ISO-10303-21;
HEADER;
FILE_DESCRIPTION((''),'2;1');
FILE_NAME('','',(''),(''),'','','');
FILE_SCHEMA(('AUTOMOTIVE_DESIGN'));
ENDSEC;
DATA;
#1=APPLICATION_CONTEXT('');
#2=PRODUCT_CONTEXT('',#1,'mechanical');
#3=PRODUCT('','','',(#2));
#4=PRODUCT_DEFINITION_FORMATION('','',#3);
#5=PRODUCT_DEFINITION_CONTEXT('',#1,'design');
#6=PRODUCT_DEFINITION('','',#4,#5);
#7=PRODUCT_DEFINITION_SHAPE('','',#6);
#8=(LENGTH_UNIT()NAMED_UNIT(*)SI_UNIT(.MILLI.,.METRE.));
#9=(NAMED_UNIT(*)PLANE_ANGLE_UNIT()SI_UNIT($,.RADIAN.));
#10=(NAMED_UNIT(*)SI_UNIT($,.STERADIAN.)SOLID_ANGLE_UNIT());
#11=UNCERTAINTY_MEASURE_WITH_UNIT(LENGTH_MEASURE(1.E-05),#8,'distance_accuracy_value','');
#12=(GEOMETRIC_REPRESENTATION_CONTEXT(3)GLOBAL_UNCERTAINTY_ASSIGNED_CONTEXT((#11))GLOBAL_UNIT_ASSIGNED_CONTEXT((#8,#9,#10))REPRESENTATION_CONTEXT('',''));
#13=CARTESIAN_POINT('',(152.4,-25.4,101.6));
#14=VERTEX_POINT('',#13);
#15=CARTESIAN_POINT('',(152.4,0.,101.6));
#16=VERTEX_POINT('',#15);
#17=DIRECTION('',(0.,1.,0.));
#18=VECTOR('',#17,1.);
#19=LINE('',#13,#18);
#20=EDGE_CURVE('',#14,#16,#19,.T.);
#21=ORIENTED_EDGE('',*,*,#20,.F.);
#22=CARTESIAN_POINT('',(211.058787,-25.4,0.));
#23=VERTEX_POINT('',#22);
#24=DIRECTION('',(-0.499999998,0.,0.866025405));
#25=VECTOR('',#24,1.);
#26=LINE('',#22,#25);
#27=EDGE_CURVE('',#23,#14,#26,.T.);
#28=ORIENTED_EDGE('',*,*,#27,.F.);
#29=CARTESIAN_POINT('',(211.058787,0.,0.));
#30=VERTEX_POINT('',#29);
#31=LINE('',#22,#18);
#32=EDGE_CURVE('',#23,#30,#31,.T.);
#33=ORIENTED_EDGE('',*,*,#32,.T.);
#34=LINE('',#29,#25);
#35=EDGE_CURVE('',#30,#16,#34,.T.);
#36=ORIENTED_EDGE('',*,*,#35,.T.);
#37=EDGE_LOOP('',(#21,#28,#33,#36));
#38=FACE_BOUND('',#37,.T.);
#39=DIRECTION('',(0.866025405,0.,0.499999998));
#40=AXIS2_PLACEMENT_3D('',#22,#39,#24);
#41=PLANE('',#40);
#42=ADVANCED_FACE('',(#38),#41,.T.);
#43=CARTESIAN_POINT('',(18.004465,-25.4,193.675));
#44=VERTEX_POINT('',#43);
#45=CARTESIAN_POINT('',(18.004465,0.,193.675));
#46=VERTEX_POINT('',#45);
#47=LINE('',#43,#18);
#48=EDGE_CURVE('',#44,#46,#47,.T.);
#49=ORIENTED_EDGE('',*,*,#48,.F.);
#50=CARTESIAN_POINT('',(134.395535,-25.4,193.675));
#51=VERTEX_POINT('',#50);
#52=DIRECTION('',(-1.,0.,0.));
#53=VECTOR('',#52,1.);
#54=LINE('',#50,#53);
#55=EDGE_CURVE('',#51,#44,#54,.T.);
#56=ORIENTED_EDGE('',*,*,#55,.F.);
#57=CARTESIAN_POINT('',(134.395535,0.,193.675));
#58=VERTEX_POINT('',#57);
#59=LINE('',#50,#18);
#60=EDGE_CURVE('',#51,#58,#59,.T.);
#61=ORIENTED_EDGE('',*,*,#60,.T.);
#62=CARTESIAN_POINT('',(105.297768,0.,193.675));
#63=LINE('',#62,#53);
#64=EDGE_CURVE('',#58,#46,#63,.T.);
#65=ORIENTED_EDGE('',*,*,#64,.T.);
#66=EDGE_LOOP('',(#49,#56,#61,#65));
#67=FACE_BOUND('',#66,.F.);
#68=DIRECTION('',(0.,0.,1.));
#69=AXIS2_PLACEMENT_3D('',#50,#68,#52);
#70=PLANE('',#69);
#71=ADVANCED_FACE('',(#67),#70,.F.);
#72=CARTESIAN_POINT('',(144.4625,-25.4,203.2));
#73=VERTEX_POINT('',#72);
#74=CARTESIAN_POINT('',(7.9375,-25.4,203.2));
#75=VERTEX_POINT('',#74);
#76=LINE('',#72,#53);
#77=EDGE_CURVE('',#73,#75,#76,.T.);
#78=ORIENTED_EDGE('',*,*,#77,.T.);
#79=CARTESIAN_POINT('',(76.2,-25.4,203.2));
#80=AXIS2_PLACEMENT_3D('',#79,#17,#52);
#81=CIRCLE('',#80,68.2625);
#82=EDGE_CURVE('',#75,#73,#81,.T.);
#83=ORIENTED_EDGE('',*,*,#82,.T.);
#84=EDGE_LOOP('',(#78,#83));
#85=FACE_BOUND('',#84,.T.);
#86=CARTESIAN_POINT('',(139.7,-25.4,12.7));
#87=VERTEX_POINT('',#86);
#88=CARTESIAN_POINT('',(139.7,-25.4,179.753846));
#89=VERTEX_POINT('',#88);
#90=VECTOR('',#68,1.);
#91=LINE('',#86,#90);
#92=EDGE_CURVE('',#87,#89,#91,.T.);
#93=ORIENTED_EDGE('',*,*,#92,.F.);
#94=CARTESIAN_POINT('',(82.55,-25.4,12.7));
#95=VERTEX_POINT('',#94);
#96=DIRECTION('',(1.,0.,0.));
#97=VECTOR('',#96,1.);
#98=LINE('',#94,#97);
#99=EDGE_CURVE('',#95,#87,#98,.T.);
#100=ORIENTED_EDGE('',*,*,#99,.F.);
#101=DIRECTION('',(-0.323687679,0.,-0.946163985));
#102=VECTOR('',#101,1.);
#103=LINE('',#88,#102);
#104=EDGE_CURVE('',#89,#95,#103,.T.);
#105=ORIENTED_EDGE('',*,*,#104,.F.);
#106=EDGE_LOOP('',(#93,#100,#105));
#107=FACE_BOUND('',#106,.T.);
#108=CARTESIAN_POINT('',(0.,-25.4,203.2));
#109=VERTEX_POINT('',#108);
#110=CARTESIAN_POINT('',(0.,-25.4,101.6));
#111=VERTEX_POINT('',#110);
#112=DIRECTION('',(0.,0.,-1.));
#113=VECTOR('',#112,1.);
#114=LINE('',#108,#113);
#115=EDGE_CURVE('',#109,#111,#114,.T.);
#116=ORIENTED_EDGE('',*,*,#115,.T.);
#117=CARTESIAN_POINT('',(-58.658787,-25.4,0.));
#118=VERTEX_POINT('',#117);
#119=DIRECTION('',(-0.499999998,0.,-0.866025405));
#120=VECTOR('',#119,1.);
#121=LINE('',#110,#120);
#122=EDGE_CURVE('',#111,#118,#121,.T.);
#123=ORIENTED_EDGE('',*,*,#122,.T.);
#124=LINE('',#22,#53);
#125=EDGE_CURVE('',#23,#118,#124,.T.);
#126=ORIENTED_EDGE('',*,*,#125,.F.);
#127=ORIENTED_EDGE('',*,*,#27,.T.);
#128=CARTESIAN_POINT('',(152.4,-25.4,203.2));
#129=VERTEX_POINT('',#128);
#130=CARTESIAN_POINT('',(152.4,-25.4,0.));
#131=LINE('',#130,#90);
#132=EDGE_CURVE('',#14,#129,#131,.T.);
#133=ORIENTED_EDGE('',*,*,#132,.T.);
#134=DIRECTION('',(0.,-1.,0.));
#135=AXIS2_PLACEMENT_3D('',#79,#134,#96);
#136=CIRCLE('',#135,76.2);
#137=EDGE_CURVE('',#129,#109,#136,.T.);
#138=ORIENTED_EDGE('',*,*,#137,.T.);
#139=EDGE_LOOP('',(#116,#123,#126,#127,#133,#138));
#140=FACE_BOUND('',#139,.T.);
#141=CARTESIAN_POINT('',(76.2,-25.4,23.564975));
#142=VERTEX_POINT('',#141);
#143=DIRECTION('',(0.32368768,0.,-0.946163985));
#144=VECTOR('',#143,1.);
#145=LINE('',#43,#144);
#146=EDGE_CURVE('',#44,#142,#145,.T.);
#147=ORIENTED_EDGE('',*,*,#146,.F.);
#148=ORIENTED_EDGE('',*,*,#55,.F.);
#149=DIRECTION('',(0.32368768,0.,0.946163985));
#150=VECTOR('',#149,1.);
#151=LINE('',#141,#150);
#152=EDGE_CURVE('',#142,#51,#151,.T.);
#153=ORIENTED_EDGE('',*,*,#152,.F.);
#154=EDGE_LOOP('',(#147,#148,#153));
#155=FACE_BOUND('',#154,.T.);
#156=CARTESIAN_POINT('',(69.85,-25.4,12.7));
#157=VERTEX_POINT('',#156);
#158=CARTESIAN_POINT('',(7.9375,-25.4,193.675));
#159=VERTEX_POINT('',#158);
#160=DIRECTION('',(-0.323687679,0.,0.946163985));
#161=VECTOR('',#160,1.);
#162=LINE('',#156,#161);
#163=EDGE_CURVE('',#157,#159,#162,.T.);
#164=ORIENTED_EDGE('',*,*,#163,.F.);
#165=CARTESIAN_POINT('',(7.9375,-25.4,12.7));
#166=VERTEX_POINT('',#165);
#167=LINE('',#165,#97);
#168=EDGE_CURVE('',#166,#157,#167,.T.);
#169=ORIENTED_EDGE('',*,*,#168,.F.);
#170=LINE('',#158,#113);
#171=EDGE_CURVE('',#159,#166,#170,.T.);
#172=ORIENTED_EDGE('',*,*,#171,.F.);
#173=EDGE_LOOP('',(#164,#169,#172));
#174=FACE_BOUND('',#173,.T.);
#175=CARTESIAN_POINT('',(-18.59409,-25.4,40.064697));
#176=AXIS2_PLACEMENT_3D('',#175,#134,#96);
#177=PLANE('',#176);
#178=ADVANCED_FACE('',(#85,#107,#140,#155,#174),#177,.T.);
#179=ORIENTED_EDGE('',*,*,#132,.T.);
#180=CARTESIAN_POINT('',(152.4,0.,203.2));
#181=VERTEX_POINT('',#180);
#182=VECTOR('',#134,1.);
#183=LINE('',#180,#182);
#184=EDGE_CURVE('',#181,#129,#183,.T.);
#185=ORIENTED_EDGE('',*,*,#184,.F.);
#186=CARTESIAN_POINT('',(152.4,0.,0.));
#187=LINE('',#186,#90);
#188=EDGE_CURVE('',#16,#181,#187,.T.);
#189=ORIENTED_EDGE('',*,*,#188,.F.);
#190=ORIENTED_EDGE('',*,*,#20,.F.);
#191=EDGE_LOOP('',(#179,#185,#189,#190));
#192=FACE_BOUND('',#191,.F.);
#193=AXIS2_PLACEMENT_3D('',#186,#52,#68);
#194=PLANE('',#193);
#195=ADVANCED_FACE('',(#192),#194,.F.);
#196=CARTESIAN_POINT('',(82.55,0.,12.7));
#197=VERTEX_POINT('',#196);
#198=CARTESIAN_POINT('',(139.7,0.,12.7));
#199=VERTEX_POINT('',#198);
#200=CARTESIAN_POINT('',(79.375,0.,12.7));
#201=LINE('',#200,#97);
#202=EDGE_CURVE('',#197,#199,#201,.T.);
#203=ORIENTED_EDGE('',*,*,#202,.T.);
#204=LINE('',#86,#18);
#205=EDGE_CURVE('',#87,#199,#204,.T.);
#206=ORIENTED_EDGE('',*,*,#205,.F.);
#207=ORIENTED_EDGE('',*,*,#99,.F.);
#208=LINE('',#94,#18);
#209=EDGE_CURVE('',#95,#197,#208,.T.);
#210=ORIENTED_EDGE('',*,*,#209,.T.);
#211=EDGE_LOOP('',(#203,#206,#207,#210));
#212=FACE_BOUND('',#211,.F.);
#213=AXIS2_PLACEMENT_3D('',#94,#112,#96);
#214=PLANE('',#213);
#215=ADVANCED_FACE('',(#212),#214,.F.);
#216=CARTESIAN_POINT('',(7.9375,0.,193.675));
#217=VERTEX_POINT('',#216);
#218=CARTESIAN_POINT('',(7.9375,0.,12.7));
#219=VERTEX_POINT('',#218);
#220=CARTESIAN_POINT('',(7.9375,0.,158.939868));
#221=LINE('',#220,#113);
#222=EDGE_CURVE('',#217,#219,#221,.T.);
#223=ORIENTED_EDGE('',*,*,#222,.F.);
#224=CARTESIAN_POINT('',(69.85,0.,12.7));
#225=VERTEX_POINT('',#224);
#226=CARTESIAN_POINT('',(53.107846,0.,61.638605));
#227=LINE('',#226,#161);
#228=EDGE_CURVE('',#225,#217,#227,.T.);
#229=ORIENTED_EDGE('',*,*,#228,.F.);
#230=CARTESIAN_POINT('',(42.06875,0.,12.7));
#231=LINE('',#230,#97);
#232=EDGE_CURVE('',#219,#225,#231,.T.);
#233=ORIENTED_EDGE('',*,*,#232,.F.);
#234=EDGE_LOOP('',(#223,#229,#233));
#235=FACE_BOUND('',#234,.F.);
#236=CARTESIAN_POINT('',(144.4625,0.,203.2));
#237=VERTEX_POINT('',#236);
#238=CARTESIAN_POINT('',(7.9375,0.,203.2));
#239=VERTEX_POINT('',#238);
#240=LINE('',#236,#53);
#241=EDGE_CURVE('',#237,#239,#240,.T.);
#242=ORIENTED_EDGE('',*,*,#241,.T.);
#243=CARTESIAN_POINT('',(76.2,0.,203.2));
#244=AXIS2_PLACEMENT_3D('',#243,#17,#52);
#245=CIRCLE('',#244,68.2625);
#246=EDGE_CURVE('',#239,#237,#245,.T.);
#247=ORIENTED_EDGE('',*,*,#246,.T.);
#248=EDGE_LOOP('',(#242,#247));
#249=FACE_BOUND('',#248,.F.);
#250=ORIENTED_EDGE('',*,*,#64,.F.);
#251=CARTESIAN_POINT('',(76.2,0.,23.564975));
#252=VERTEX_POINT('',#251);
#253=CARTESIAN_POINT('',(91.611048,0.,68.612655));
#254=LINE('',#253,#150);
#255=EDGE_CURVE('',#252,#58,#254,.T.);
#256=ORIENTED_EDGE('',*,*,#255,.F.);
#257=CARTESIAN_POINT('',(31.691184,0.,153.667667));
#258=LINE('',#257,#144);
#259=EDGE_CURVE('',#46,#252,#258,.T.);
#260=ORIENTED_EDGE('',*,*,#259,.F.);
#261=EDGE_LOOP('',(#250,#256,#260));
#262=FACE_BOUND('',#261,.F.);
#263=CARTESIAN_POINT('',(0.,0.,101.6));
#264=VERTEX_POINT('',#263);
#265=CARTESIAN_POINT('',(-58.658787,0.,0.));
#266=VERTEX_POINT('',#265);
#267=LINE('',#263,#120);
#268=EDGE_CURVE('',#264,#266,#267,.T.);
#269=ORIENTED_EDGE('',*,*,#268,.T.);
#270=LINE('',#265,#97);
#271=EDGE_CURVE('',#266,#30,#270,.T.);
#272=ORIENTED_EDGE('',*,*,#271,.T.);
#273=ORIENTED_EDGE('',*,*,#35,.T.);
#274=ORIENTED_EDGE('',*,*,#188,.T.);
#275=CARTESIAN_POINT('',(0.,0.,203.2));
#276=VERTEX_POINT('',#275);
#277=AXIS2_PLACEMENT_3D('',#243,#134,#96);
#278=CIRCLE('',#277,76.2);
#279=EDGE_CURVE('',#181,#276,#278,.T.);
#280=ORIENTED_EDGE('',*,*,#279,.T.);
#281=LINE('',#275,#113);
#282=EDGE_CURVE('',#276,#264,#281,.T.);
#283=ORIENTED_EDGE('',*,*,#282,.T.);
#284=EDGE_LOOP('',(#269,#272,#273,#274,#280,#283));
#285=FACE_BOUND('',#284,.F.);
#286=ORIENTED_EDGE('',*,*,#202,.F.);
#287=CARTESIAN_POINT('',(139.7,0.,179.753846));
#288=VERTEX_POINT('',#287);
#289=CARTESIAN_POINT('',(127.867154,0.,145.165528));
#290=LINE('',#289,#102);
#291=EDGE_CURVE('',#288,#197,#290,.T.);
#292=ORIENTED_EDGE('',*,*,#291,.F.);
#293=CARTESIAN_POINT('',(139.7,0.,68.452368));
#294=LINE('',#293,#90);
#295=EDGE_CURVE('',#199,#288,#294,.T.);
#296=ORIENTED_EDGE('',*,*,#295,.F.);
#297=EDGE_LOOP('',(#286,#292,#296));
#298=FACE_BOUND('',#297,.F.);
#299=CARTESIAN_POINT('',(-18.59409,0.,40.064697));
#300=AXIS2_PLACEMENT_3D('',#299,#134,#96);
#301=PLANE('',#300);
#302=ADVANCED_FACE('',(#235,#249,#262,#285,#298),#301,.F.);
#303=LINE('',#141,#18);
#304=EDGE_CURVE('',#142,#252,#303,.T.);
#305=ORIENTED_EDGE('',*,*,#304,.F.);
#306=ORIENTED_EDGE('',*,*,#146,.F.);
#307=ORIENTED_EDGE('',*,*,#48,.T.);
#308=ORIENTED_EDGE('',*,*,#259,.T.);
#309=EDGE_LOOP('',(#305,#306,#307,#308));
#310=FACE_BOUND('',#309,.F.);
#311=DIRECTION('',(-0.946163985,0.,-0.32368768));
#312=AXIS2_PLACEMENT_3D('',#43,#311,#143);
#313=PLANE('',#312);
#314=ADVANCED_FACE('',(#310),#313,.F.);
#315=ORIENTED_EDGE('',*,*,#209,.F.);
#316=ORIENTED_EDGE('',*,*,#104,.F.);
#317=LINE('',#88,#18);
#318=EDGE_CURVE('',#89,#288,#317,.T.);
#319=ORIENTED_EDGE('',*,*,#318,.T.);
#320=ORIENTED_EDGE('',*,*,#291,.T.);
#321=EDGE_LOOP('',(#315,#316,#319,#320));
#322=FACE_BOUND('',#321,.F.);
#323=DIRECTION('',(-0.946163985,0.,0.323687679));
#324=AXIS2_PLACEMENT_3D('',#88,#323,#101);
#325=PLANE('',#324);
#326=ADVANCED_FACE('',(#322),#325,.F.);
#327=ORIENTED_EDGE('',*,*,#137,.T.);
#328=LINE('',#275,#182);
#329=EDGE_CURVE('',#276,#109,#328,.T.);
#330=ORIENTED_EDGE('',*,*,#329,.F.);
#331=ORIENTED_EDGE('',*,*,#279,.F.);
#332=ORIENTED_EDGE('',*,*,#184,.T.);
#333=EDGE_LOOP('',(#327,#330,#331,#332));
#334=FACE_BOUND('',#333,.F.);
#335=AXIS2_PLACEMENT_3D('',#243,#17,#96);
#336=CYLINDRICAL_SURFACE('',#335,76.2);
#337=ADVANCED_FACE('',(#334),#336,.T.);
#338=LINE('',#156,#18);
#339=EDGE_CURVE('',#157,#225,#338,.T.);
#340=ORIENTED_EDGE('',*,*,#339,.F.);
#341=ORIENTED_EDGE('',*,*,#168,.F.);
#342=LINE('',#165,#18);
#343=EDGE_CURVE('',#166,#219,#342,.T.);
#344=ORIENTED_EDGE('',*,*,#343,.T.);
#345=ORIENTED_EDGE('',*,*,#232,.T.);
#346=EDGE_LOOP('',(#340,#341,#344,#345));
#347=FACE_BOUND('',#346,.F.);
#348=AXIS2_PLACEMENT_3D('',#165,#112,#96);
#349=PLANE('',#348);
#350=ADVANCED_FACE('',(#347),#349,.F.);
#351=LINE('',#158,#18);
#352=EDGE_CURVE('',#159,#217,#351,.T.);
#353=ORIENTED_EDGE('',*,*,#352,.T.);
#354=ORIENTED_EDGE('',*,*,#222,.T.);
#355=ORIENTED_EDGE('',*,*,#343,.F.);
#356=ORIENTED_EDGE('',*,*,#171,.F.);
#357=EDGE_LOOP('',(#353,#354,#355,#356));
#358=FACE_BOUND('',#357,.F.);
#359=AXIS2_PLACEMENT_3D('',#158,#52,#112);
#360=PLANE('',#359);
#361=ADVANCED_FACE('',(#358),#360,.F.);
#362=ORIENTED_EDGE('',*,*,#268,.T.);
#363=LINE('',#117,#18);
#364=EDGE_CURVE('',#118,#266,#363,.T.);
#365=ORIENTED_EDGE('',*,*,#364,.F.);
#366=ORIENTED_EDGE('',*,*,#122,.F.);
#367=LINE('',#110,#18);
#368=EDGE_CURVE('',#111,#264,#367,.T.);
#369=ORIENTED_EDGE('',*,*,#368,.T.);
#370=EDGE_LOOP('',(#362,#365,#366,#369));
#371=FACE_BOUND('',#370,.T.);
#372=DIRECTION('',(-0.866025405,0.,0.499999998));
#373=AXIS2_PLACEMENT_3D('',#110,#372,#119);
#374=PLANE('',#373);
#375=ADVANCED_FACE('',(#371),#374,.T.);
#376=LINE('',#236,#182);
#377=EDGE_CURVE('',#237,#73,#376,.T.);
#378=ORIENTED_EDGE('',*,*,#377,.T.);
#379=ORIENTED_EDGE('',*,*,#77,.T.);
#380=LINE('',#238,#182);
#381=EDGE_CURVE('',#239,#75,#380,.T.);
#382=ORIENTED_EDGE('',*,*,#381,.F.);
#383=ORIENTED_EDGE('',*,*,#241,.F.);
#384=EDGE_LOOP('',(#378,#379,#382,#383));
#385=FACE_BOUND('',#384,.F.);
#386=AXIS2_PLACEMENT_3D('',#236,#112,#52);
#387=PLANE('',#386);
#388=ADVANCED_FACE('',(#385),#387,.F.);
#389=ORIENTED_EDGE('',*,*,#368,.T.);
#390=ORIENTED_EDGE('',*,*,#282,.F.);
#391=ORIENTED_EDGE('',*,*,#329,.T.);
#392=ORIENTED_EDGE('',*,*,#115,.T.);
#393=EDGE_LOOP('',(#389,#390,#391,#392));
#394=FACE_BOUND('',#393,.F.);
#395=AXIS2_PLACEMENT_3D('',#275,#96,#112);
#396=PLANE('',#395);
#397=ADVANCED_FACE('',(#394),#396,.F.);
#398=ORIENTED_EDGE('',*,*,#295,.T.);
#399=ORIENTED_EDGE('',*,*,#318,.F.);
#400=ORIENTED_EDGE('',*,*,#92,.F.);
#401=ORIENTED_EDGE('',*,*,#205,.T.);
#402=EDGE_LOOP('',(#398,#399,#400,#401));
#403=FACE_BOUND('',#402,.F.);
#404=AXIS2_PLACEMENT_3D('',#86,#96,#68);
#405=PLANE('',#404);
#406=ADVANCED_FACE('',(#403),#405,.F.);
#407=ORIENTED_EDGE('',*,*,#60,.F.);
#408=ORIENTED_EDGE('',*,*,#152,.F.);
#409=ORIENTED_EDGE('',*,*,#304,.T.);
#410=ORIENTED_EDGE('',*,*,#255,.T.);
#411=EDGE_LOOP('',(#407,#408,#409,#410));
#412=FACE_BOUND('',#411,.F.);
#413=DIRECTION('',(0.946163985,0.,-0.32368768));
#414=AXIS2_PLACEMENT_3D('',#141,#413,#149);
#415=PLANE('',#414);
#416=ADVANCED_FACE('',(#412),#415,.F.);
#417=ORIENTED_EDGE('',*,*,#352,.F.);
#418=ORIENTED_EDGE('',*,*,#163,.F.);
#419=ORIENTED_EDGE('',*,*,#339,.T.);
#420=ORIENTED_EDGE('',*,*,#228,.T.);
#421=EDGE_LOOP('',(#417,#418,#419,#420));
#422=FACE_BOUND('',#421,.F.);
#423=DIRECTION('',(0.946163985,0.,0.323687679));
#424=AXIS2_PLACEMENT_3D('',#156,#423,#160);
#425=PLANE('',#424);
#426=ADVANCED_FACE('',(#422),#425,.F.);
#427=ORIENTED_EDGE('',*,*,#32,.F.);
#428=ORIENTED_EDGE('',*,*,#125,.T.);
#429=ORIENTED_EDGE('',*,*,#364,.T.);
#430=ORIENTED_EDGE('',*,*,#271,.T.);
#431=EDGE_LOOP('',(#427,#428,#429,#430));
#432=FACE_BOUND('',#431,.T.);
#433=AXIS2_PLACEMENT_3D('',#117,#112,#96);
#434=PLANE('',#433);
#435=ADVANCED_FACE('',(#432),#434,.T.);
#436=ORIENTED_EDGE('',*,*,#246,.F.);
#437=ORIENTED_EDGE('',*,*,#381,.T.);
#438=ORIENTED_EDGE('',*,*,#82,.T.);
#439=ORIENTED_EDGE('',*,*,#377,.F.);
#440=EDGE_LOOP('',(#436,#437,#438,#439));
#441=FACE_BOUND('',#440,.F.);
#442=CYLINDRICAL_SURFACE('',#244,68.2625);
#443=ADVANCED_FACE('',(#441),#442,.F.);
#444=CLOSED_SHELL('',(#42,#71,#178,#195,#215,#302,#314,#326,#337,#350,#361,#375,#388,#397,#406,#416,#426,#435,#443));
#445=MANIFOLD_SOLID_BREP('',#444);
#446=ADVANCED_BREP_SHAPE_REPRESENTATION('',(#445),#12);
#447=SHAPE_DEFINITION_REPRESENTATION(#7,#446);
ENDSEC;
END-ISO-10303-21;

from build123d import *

# Parameters (mm, degrees)
F1_DEPTH = 25.4
F3_DEPTH = 25.401
F5_DEPTH = 25.4


with BuildPart() as f1:
    # F0 (on Front) → F1 (new body)
    with BuildSketch(Plane.XZ):
        with BuildLine():
            Line((0, 203.2), (0, 0))
            Line((0, 0), (152.4, 0))
            Line((152.4, 0), (152.4, 203.2))
            ThreePointArc((152.4, 203.2), (76.2, 279.4), (0, 203.2))
        make_face()
        with BuildLine():
            ThreePointArc((7.9375, 203.2), (76.2, 271.4625), (144.4625, 203.2))
            Line((144.4625, 203.2), (7.9375, 203.2))
        make_face(mode=Mode.SUBTRACT)
    extrude(amount=F1_DEPTH)

    # F2 (on face) → F3 (cut, through all)
    with BuildSketch(Plane.XZ.offset(25.4)):
        Polygon((7.9375, 193.675), (7.9375, 12.7), (69.85, 12.7), align=None)
        Polygon((139.7, 12.7), (139.7, 179.753846), (82.55, 12.7), align=None)
        Polygon((134.395535, 193.675), (18.004465, 193.675), (76.2, 23.564975), align=None)
    extrude(amount=-F3_DEPTH, mode=Mode.SUBTRACT)

    # F4 (on face) → F5 (join, through all)
    with BuildSketch(Plane.XZ.offset(25.4)):
        Polygon((0, 0), (0, 101.6), (-58.658787, 0), align=None)
        Polygon((211.058787, 0), (152.4, 101.6), (152.4, 0), align=None)
    extrude(amount=-F5_DEPTH)


solid = f1.part
